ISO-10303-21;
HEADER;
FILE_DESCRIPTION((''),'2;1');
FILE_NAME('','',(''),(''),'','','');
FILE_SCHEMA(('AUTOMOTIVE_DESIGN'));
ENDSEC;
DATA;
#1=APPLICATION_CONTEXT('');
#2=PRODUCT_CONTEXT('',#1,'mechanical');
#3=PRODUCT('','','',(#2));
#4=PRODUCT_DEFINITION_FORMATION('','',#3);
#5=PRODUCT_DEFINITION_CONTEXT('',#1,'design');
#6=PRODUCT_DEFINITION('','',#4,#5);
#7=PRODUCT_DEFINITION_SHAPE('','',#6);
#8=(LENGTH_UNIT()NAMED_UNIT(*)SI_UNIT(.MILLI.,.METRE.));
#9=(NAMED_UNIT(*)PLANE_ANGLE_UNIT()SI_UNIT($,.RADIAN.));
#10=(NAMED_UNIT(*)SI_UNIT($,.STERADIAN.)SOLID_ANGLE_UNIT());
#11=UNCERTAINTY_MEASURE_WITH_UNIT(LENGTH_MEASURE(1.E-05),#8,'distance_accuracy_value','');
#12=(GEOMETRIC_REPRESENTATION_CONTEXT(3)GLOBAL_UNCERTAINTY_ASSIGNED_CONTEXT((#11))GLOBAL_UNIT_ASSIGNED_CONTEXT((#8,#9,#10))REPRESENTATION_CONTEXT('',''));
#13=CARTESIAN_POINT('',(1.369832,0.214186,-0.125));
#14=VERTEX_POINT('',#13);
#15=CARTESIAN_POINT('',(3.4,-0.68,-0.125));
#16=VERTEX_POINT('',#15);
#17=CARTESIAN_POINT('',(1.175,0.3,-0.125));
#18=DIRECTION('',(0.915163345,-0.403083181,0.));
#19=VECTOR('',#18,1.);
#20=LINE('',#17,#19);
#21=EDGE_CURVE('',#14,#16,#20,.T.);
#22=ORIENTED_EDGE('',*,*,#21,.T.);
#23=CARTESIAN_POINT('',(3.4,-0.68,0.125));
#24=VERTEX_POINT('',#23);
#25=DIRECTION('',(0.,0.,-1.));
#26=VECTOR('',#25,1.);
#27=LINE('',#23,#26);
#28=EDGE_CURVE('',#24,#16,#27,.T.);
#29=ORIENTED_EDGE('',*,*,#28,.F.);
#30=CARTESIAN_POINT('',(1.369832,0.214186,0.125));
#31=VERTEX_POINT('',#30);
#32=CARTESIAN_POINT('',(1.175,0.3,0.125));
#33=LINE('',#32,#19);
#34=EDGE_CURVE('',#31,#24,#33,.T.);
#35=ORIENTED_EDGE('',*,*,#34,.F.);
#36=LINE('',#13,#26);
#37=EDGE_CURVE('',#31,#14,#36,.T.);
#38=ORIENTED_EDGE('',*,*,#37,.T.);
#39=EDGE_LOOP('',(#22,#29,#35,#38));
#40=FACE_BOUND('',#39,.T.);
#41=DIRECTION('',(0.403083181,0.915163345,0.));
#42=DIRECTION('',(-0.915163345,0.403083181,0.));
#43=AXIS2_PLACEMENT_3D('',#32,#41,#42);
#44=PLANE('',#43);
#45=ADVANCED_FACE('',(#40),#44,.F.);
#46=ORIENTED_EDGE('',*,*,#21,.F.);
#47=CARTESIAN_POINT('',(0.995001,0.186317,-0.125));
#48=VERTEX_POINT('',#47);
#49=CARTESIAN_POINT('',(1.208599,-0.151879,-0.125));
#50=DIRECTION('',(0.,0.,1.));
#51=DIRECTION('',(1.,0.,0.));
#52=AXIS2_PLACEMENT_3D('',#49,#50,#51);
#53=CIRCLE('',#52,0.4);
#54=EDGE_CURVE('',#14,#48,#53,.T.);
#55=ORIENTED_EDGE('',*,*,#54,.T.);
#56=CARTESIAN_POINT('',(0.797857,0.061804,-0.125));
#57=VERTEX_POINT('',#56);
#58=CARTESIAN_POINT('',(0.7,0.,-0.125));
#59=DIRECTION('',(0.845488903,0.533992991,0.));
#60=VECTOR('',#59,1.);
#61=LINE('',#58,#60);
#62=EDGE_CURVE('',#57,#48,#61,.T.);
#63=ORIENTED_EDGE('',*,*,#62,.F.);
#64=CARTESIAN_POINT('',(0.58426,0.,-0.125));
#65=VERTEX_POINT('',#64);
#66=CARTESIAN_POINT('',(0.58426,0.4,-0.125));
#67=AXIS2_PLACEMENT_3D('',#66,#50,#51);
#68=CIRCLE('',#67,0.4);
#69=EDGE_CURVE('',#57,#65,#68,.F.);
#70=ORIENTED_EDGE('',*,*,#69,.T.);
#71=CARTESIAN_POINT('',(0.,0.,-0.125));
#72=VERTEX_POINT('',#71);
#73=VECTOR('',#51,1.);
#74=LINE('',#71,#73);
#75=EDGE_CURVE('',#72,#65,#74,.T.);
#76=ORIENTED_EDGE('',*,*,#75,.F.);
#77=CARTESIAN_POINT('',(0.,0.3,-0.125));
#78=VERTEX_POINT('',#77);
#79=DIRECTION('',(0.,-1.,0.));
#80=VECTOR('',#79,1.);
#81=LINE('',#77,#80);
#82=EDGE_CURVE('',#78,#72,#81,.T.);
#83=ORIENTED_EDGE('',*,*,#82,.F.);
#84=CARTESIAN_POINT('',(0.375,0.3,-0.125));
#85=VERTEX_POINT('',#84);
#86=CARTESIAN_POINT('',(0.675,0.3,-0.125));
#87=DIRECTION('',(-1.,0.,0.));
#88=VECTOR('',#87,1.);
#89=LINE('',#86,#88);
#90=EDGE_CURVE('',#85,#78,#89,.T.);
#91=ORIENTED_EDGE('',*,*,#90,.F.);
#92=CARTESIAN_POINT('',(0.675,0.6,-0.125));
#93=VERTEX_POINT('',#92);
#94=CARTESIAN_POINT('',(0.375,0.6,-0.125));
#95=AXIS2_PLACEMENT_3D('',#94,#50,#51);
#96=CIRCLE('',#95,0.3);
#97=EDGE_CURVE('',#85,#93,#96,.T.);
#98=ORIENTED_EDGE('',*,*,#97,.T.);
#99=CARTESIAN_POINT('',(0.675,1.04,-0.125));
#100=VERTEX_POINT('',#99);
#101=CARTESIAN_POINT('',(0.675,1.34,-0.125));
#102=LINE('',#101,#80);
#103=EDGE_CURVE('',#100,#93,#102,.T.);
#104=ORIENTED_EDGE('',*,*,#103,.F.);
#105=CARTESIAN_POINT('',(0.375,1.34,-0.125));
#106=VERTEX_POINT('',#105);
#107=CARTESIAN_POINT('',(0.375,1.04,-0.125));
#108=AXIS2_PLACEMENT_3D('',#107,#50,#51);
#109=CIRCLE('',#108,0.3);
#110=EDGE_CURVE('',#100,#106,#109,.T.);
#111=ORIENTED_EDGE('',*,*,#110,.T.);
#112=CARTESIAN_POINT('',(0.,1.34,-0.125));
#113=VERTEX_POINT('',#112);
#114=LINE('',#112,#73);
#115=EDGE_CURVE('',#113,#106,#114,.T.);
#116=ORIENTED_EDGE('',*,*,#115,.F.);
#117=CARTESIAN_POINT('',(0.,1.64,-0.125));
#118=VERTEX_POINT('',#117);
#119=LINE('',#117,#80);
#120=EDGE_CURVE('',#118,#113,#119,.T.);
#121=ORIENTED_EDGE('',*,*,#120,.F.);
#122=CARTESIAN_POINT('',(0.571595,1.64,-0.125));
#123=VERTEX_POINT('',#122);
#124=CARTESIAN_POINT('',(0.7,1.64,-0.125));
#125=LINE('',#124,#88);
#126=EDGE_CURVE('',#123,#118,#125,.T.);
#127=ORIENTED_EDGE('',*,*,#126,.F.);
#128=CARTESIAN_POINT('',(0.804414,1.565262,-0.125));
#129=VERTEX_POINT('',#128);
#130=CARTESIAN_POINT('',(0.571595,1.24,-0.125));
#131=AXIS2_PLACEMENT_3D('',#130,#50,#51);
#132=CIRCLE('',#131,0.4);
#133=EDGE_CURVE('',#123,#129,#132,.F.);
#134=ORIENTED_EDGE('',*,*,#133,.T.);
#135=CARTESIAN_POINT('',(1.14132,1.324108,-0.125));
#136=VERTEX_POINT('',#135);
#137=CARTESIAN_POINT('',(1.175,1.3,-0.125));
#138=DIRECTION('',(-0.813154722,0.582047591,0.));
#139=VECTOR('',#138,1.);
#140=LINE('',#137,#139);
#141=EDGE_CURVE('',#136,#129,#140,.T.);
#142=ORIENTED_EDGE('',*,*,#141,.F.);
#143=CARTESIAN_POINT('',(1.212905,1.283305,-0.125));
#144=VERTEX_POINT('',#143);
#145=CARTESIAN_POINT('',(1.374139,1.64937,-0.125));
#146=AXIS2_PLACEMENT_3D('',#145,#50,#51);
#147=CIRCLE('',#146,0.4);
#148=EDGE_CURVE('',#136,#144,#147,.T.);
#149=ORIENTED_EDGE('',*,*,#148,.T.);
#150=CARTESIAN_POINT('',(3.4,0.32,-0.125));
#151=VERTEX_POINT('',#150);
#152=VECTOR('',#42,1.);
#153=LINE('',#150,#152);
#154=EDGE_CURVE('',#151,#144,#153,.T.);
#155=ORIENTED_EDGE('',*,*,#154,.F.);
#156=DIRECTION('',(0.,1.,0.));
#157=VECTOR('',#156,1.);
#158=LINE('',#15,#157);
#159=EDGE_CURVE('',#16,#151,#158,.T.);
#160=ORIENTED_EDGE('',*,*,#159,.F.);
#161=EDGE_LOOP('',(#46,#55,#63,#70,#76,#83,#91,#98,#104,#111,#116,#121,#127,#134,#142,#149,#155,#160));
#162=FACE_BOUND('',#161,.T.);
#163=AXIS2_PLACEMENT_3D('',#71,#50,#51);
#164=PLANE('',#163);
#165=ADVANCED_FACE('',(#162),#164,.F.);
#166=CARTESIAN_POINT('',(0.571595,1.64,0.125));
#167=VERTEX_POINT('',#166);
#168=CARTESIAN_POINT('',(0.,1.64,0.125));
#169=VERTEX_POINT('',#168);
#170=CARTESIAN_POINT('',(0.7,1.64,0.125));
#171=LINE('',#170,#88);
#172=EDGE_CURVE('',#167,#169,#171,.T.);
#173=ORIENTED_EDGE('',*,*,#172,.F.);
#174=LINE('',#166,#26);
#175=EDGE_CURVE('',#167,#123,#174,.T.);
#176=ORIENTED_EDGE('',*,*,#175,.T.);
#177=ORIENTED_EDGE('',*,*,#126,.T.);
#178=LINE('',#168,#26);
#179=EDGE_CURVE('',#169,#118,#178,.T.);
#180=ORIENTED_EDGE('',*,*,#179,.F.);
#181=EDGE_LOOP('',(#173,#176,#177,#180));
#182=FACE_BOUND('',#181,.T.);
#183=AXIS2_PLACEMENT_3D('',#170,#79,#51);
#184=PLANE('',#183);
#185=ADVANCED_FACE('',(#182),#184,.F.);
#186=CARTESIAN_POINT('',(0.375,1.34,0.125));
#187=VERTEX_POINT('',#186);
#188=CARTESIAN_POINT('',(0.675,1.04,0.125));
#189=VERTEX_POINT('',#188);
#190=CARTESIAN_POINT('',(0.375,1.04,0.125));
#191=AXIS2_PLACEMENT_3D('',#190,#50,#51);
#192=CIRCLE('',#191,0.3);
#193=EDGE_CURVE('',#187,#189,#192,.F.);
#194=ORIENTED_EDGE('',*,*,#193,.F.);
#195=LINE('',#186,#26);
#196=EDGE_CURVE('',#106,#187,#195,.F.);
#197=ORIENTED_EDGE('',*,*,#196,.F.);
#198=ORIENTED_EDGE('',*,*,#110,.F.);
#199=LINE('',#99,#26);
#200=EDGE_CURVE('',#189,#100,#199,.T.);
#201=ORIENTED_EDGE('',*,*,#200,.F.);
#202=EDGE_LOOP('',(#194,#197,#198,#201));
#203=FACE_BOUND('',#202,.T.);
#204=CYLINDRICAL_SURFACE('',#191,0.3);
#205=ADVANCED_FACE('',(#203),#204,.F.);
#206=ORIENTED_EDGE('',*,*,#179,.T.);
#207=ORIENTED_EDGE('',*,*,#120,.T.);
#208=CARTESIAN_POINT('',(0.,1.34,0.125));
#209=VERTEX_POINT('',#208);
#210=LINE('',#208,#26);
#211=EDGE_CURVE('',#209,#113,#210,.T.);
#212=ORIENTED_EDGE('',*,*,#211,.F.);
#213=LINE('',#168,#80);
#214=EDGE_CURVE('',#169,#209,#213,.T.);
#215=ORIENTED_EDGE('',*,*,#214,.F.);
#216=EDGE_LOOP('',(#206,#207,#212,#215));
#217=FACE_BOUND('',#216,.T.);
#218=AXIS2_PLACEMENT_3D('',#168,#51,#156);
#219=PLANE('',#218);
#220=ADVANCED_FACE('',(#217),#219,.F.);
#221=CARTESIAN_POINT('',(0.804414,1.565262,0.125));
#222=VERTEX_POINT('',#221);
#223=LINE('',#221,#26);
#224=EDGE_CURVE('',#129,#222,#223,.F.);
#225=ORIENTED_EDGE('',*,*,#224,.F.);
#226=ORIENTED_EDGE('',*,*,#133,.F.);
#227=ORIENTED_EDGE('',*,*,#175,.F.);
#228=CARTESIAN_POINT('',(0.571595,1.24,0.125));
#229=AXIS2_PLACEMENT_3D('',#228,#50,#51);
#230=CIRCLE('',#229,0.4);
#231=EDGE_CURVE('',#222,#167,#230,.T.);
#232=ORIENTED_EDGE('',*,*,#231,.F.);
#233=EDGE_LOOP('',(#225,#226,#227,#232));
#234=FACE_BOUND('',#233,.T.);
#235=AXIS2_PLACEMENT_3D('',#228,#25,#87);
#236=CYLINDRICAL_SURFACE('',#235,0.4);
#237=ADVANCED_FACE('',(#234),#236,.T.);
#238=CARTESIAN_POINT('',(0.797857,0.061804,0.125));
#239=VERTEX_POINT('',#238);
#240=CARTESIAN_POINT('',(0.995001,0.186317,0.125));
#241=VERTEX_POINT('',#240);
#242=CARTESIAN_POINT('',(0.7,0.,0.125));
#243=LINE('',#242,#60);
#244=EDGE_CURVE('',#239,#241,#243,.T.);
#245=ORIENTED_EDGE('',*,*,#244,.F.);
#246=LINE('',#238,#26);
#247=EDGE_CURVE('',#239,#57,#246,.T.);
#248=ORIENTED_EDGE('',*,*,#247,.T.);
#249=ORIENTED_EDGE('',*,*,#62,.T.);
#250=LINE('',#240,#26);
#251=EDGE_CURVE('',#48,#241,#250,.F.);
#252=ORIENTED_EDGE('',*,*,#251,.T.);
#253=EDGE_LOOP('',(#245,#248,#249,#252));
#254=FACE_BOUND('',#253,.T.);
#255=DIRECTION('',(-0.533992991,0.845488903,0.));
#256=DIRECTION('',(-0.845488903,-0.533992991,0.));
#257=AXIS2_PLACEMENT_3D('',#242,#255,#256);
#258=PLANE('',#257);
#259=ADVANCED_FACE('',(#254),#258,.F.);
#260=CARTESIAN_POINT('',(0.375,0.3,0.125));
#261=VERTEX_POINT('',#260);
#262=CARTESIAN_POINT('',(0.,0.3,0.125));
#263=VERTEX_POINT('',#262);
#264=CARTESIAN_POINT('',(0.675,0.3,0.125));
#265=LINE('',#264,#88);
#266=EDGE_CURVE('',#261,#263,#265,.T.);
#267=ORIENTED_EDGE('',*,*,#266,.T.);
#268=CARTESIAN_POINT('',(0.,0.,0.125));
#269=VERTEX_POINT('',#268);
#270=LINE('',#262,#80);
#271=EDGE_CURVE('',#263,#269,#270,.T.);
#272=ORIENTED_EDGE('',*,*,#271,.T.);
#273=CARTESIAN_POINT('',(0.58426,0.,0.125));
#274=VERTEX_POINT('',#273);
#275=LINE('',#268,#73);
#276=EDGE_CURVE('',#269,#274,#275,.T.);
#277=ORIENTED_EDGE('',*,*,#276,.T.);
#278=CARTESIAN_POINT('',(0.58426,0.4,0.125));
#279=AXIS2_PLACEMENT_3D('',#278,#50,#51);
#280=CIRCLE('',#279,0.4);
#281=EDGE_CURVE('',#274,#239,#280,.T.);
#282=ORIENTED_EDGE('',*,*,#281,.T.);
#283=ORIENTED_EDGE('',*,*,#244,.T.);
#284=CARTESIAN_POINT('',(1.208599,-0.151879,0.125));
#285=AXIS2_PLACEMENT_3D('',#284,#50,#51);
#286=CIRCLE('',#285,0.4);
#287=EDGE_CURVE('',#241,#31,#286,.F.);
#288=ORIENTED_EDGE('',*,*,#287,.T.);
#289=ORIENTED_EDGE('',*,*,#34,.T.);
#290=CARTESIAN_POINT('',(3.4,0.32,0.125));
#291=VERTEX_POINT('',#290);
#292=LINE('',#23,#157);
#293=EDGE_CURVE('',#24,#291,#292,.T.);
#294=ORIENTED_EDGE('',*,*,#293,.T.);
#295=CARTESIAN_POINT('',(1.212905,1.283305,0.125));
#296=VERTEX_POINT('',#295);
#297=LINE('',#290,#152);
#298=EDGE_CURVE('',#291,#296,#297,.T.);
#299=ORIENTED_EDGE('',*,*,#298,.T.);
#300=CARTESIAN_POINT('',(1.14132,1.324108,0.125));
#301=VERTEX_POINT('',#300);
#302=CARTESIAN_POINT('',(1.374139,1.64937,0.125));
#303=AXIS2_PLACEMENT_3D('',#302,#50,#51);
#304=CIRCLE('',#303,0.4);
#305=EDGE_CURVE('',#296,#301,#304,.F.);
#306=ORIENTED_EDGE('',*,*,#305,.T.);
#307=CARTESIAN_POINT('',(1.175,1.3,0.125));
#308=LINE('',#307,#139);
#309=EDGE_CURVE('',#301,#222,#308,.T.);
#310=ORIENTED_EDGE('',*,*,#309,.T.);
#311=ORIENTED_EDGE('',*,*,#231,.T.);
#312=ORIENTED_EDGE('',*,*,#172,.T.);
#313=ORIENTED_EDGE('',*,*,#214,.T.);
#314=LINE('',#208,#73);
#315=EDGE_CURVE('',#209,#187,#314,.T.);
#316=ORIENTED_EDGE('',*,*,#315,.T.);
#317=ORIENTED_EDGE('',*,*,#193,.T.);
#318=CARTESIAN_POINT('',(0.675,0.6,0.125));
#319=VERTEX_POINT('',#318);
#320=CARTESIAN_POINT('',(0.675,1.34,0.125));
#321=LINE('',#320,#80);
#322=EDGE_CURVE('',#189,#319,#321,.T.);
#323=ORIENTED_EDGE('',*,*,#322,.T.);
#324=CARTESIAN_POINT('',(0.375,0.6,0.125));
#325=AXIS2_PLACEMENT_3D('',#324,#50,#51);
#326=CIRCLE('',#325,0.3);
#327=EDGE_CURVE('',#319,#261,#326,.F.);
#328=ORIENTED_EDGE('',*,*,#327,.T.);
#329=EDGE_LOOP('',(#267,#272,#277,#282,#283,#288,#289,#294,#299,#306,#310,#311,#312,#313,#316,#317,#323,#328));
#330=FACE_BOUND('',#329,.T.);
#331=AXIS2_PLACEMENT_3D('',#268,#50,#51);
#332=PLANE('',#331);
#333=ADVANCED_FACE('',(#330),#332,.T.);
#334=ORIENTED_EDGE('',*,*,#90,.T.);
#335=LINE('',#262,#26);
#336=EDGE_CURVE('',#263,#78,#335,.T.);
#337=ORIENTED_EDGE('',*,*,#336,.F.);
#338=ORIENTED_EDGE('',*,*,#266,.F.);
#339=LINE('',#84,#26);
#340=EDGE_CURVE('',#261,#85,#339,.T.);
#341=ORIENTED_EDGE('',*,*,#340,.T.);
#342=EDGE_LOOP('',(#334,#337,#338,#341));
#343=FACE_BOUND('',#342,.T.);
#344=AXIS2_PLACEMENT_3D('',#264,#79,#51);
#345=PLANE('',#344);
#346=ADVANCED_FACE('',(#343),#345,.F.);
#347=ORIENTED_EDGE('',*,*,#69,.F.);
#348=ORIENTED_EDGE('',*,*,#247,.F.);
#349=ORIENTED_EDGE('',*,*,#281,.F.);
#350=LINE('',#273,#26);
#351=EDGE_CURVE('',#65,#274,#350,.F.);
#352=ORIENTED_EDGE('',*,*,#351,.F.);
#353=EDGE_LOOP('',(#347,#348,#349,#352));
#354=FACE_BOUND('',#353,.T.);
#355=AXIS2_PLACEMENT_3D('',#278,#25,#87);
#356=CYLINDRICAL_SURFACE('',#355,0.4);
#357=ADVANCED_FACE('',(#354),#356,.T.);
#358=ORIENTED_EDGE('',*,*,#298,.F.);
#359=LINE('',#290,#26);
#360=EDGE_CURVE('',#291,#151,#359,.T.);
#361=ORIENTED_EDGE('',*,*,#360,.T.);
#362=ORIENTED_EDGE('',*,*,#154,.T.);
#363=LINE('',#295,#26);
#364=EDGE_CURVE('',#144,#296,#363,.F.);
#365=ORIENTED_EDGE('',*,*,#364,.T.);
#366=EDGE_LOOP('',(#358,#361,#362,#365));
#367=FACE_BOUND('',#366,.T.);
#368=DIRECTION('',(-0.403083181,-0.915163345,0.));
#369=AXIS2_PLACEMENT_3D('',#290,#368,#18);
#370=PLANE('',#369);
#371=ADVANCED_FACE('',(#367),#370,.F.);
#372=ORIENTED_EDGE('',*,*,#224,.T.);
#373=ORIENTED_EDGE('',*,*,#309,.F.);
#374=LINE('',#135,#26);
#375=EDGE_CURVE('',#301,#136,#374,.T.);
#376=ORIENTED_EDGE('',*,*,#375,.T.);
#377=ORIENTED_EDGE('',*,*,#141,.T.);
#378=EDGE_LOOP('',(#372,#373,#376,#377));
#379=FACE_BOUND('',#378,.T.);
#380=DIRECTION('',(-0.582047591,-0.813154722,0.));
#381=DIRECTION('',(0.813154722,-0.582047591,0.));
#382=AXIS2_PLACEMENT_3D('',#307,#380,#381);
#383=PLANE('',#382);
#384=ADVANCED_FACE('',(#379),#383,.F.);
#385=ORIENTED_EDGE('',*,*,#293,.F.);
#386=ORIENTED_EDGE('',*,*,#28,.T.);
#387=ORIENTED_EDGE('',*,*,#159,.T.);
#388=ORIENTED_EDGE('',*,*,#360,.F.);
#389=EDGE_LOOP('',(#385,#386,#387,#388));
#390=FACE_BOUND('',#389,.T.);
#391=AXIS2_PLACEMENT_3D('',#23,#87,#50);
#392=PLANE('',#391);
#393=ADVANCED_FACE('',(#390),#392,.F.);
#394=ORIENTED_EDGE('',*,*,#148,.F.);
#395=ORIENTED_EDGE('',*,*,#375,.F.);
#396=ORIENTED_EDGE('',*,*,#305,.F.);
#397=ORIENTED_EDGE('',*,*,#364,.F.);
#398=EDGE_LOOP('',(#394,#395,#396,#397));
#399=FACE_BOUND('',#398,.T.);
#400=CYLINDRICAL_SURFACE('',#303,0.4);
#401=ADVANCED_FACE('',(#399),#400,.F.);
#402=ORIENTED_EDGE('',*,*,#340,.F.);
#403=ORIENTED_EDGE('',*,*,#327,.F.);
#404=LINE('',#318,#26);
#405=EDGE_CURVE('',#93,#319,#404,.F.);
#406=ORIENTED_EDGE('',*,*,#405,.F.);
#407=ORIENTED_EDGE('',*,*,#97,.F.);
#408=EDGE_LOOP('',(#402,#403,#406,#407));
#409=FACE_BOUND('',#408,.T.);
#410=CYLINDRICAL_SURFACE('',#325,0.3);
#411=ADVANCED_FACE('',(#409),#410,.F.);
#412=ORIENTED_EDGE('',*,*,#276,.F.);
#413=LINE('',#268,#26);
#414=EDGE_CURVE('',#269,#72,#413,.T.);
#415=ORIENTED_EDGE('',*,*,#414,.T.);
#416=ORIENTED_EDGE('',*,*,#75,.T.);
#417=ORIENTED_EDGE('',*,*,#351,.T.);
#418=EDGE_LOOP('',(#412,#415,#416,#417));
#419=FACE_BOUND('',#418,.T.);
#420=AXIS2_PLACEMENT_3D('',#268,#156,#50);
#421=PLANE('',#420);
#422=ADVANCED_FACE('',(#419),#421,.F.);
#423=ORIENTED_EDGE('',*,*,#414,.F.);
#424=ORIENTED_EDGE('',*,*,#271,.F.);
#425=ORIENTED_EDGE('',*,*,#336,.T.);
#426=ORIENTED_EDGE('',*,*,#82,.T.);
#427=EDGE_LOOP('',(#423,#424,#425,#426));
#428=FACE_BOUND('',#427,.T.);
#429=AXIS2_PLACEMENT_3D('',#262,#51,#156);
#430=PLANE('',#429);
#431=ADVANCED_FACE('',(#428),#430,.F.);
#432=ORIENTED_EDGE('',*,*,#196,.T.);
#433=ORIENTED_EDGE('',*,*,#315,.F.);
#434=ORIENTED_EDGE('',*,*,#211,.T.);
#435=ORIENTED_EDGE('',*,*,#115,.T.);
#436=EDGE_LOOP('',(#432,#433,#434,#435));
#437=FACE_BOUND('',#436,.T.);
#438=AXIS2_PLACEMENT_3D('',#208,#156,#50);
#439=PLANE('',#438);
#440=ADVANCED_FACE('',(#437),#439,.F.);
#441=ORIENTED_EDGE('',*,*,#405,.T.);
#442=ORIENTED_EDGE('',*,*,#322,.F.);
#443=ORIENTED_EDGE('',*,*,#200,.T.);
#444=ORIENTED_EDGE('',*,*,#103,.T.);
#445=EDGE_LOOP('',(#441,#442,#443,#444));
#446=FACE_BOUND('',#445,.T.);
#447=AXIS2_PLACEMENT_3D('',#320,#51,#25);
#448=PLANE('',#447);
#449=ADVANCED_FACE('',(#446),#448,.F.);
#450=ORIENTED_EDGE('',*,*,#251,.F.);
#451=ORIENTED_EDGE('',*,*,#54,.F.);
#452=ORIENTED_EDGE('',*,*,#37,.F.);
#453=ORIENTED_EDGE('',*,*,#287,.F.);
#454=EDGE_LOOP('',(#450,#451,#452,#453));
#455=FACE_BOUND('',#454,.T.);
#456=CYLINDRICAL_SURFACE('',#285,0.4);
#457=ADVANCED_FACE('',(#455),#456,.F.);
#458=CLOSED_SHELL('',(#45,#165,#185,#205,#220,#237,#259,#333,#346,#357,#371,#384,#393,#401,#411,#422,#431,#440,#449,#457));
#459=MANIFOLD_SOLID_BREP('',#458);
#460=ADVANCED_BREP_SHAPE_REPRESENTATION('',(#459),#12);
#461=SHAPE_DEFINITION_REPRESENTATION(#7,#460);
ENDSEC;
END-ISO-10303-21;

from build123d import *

# Parameters (mm, degrees)
BOSS_EXTRUDE1_DEPTH = 0.125
FILLET1_R           = 0.3
FILLET2_R           = 0.4


with BuildPart() as part:
    # frame_outline → Boss-Extrude1 (new, symmetric)
    with BuildSketch(Plane.XY):
        Polygon((0, 1.64), (0, 1.34), (0.675, 1.34), (0.675, 0.3), (0, 0.3), (0, 0), (0.7, 0), (1.175, 0.3), (3.4, -0.68), (3.4, 0.32), (1.175, 1.3), (0.7, 1.64), align=None)
    extrude(amount=BOSS_EXTRUDE1_DEPTH, both=True)

    # Fillet1
    fillet1_edges = [part.edges().sort_by_distance(p)[0] for p in [
        (0.675, 0.3, 0),
        (0.675, 1.34, 0),
    ]]
    fillet(fillet1_edges, radius=FILLET1_R)

    # Fillet2
    fillet2_edges = [part.edges().sort_by_distance(p)[0] for p in [
        (0.7, 1.64, 0),
        (1.175, 1.3, 0),
        (1.175, 0.3, 0),
        (0.7, 0, 0),
    ]]
    fillet(fillet2_edges, radius=FILLET2_R)


solid = part.part
